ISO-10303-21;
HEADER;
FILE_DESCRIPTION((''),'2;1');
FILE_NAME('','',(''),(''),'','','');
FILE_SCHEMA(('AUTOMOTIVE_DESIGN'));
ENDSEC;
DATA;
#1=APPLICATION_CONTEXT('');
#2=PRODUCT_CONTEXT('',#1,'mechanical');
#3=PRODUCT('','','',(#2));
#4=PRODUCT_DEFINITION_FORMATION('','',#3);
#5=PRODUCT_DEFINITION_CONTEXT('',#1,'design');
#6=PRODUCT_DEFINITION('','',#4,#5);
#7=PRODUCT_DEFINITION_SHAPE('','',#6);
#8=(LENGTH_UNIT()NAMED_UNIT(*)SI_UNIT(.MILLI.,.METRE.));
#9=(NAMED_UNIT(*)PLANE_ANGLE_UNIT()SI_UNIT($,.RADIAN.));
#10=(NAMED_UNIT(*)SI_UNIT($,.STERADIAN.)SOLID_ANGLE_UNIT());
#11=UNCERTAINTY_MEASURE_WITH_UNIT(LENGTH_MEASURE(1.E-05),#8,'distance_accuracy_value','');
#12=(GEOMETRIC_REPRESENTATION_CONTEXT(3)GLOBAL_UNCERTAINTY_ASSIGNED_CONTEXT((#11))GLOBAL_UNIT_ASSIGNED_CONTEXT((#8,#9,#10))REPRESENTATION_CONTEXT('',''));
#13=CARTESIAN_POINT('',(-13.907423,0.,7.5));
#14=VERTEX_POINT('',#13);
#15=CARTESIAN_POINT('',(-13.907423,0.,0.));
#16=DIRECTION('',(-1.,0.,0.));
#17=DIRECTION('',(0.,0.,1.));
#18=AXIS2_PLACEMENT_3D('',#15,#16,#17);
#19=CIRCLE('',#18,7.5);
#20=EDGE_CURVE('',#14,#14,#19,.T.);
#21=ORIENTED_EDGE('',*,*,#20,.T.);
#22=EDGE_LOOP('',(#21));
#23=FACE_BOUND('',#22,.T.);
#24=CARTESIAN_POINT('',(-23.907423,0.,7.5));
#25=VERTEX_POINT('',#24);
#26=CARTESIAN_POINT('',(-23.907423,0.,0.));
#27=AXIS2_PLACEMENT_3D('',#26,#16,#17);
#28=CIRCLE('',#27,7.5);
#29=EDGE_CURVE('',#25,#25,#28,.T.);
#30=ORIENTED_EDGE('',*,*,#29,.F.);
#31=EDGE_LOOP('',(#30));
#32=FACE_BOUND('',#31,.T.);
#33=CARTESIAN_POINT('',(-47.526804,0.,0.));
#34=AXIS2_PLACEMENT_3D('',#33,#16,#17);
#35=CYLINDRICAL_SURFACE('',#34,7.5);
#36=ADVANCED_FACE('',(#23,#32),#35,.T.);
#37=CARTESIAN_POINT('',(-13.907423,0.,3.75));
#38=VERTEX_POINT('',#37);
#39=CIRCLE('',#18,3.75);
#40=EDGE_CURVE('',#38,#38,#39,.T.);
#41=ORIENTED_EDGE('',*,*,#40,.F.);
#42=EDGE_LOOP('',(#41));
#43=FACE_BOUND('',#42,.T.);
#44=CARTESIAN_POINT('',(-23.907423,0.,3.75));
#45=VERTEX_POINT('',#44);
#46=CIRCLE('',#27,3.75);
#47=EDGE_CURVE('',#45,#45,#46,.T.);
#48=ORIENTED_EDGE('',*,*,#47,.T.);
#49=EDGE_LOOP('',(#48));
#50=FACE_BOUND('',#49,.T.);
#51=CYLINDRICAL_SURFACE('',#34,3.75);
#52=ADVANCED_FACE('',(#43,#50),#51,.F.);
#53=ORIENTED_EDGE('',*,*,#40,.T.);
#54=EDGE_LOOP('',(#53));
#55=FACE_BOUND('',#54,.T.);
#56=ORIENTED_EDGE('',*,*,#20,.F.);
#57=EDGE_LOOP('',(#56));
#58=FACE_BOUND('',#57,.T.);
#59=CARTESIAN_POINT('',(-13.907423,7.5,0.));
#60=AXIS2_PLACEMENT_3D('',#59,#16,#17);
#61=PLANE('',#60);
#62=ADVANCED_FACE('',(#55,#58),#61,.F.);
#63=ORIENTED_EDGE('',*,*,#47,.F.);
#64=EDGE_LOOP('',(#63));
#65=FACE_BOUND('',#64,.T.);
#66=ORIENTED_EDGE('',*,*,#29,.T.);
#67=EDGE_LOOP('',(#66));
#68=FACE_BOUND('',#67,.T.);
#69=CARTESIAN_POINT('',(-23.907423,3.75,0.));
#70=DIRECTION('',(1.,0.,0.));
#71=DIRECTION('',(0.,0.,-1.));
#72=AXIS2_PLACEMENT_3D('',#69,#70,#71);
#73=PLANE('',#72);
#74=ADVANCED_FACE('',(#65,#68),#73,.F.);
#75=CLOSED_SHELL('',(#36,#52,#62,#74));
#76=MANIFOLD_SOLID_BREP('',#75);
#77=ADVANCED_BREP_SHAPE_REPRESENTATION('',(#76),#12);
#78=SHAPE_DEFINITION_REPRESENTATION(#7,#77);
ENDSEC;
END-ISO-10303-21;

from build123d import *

# Parameters (mm, degrees)
ESQUISSE1_W = 10
ESQUISSE1_H = 3.75


with BuildPart() as part:
    # Esquisse1 → Révolution1 (revolve)
    with BuildSketch(Plane.XY, mode=Mode.PRIVATE) as r_volution1_sk:
        with Locations((-18.907423, 5.625)):
            Rectangle(ESQUISSE1_W, ESQUISSE1_H)
    revolve(r_volution1_sk.sketch.rotate(Axis((-47.526804124, 0, 0), (1, 0, 0)), 90), axis=Axis((-47.526804124, 0, 0), (1, 0, 0)))  # turned: the seam where the file's is


solid = part.part
